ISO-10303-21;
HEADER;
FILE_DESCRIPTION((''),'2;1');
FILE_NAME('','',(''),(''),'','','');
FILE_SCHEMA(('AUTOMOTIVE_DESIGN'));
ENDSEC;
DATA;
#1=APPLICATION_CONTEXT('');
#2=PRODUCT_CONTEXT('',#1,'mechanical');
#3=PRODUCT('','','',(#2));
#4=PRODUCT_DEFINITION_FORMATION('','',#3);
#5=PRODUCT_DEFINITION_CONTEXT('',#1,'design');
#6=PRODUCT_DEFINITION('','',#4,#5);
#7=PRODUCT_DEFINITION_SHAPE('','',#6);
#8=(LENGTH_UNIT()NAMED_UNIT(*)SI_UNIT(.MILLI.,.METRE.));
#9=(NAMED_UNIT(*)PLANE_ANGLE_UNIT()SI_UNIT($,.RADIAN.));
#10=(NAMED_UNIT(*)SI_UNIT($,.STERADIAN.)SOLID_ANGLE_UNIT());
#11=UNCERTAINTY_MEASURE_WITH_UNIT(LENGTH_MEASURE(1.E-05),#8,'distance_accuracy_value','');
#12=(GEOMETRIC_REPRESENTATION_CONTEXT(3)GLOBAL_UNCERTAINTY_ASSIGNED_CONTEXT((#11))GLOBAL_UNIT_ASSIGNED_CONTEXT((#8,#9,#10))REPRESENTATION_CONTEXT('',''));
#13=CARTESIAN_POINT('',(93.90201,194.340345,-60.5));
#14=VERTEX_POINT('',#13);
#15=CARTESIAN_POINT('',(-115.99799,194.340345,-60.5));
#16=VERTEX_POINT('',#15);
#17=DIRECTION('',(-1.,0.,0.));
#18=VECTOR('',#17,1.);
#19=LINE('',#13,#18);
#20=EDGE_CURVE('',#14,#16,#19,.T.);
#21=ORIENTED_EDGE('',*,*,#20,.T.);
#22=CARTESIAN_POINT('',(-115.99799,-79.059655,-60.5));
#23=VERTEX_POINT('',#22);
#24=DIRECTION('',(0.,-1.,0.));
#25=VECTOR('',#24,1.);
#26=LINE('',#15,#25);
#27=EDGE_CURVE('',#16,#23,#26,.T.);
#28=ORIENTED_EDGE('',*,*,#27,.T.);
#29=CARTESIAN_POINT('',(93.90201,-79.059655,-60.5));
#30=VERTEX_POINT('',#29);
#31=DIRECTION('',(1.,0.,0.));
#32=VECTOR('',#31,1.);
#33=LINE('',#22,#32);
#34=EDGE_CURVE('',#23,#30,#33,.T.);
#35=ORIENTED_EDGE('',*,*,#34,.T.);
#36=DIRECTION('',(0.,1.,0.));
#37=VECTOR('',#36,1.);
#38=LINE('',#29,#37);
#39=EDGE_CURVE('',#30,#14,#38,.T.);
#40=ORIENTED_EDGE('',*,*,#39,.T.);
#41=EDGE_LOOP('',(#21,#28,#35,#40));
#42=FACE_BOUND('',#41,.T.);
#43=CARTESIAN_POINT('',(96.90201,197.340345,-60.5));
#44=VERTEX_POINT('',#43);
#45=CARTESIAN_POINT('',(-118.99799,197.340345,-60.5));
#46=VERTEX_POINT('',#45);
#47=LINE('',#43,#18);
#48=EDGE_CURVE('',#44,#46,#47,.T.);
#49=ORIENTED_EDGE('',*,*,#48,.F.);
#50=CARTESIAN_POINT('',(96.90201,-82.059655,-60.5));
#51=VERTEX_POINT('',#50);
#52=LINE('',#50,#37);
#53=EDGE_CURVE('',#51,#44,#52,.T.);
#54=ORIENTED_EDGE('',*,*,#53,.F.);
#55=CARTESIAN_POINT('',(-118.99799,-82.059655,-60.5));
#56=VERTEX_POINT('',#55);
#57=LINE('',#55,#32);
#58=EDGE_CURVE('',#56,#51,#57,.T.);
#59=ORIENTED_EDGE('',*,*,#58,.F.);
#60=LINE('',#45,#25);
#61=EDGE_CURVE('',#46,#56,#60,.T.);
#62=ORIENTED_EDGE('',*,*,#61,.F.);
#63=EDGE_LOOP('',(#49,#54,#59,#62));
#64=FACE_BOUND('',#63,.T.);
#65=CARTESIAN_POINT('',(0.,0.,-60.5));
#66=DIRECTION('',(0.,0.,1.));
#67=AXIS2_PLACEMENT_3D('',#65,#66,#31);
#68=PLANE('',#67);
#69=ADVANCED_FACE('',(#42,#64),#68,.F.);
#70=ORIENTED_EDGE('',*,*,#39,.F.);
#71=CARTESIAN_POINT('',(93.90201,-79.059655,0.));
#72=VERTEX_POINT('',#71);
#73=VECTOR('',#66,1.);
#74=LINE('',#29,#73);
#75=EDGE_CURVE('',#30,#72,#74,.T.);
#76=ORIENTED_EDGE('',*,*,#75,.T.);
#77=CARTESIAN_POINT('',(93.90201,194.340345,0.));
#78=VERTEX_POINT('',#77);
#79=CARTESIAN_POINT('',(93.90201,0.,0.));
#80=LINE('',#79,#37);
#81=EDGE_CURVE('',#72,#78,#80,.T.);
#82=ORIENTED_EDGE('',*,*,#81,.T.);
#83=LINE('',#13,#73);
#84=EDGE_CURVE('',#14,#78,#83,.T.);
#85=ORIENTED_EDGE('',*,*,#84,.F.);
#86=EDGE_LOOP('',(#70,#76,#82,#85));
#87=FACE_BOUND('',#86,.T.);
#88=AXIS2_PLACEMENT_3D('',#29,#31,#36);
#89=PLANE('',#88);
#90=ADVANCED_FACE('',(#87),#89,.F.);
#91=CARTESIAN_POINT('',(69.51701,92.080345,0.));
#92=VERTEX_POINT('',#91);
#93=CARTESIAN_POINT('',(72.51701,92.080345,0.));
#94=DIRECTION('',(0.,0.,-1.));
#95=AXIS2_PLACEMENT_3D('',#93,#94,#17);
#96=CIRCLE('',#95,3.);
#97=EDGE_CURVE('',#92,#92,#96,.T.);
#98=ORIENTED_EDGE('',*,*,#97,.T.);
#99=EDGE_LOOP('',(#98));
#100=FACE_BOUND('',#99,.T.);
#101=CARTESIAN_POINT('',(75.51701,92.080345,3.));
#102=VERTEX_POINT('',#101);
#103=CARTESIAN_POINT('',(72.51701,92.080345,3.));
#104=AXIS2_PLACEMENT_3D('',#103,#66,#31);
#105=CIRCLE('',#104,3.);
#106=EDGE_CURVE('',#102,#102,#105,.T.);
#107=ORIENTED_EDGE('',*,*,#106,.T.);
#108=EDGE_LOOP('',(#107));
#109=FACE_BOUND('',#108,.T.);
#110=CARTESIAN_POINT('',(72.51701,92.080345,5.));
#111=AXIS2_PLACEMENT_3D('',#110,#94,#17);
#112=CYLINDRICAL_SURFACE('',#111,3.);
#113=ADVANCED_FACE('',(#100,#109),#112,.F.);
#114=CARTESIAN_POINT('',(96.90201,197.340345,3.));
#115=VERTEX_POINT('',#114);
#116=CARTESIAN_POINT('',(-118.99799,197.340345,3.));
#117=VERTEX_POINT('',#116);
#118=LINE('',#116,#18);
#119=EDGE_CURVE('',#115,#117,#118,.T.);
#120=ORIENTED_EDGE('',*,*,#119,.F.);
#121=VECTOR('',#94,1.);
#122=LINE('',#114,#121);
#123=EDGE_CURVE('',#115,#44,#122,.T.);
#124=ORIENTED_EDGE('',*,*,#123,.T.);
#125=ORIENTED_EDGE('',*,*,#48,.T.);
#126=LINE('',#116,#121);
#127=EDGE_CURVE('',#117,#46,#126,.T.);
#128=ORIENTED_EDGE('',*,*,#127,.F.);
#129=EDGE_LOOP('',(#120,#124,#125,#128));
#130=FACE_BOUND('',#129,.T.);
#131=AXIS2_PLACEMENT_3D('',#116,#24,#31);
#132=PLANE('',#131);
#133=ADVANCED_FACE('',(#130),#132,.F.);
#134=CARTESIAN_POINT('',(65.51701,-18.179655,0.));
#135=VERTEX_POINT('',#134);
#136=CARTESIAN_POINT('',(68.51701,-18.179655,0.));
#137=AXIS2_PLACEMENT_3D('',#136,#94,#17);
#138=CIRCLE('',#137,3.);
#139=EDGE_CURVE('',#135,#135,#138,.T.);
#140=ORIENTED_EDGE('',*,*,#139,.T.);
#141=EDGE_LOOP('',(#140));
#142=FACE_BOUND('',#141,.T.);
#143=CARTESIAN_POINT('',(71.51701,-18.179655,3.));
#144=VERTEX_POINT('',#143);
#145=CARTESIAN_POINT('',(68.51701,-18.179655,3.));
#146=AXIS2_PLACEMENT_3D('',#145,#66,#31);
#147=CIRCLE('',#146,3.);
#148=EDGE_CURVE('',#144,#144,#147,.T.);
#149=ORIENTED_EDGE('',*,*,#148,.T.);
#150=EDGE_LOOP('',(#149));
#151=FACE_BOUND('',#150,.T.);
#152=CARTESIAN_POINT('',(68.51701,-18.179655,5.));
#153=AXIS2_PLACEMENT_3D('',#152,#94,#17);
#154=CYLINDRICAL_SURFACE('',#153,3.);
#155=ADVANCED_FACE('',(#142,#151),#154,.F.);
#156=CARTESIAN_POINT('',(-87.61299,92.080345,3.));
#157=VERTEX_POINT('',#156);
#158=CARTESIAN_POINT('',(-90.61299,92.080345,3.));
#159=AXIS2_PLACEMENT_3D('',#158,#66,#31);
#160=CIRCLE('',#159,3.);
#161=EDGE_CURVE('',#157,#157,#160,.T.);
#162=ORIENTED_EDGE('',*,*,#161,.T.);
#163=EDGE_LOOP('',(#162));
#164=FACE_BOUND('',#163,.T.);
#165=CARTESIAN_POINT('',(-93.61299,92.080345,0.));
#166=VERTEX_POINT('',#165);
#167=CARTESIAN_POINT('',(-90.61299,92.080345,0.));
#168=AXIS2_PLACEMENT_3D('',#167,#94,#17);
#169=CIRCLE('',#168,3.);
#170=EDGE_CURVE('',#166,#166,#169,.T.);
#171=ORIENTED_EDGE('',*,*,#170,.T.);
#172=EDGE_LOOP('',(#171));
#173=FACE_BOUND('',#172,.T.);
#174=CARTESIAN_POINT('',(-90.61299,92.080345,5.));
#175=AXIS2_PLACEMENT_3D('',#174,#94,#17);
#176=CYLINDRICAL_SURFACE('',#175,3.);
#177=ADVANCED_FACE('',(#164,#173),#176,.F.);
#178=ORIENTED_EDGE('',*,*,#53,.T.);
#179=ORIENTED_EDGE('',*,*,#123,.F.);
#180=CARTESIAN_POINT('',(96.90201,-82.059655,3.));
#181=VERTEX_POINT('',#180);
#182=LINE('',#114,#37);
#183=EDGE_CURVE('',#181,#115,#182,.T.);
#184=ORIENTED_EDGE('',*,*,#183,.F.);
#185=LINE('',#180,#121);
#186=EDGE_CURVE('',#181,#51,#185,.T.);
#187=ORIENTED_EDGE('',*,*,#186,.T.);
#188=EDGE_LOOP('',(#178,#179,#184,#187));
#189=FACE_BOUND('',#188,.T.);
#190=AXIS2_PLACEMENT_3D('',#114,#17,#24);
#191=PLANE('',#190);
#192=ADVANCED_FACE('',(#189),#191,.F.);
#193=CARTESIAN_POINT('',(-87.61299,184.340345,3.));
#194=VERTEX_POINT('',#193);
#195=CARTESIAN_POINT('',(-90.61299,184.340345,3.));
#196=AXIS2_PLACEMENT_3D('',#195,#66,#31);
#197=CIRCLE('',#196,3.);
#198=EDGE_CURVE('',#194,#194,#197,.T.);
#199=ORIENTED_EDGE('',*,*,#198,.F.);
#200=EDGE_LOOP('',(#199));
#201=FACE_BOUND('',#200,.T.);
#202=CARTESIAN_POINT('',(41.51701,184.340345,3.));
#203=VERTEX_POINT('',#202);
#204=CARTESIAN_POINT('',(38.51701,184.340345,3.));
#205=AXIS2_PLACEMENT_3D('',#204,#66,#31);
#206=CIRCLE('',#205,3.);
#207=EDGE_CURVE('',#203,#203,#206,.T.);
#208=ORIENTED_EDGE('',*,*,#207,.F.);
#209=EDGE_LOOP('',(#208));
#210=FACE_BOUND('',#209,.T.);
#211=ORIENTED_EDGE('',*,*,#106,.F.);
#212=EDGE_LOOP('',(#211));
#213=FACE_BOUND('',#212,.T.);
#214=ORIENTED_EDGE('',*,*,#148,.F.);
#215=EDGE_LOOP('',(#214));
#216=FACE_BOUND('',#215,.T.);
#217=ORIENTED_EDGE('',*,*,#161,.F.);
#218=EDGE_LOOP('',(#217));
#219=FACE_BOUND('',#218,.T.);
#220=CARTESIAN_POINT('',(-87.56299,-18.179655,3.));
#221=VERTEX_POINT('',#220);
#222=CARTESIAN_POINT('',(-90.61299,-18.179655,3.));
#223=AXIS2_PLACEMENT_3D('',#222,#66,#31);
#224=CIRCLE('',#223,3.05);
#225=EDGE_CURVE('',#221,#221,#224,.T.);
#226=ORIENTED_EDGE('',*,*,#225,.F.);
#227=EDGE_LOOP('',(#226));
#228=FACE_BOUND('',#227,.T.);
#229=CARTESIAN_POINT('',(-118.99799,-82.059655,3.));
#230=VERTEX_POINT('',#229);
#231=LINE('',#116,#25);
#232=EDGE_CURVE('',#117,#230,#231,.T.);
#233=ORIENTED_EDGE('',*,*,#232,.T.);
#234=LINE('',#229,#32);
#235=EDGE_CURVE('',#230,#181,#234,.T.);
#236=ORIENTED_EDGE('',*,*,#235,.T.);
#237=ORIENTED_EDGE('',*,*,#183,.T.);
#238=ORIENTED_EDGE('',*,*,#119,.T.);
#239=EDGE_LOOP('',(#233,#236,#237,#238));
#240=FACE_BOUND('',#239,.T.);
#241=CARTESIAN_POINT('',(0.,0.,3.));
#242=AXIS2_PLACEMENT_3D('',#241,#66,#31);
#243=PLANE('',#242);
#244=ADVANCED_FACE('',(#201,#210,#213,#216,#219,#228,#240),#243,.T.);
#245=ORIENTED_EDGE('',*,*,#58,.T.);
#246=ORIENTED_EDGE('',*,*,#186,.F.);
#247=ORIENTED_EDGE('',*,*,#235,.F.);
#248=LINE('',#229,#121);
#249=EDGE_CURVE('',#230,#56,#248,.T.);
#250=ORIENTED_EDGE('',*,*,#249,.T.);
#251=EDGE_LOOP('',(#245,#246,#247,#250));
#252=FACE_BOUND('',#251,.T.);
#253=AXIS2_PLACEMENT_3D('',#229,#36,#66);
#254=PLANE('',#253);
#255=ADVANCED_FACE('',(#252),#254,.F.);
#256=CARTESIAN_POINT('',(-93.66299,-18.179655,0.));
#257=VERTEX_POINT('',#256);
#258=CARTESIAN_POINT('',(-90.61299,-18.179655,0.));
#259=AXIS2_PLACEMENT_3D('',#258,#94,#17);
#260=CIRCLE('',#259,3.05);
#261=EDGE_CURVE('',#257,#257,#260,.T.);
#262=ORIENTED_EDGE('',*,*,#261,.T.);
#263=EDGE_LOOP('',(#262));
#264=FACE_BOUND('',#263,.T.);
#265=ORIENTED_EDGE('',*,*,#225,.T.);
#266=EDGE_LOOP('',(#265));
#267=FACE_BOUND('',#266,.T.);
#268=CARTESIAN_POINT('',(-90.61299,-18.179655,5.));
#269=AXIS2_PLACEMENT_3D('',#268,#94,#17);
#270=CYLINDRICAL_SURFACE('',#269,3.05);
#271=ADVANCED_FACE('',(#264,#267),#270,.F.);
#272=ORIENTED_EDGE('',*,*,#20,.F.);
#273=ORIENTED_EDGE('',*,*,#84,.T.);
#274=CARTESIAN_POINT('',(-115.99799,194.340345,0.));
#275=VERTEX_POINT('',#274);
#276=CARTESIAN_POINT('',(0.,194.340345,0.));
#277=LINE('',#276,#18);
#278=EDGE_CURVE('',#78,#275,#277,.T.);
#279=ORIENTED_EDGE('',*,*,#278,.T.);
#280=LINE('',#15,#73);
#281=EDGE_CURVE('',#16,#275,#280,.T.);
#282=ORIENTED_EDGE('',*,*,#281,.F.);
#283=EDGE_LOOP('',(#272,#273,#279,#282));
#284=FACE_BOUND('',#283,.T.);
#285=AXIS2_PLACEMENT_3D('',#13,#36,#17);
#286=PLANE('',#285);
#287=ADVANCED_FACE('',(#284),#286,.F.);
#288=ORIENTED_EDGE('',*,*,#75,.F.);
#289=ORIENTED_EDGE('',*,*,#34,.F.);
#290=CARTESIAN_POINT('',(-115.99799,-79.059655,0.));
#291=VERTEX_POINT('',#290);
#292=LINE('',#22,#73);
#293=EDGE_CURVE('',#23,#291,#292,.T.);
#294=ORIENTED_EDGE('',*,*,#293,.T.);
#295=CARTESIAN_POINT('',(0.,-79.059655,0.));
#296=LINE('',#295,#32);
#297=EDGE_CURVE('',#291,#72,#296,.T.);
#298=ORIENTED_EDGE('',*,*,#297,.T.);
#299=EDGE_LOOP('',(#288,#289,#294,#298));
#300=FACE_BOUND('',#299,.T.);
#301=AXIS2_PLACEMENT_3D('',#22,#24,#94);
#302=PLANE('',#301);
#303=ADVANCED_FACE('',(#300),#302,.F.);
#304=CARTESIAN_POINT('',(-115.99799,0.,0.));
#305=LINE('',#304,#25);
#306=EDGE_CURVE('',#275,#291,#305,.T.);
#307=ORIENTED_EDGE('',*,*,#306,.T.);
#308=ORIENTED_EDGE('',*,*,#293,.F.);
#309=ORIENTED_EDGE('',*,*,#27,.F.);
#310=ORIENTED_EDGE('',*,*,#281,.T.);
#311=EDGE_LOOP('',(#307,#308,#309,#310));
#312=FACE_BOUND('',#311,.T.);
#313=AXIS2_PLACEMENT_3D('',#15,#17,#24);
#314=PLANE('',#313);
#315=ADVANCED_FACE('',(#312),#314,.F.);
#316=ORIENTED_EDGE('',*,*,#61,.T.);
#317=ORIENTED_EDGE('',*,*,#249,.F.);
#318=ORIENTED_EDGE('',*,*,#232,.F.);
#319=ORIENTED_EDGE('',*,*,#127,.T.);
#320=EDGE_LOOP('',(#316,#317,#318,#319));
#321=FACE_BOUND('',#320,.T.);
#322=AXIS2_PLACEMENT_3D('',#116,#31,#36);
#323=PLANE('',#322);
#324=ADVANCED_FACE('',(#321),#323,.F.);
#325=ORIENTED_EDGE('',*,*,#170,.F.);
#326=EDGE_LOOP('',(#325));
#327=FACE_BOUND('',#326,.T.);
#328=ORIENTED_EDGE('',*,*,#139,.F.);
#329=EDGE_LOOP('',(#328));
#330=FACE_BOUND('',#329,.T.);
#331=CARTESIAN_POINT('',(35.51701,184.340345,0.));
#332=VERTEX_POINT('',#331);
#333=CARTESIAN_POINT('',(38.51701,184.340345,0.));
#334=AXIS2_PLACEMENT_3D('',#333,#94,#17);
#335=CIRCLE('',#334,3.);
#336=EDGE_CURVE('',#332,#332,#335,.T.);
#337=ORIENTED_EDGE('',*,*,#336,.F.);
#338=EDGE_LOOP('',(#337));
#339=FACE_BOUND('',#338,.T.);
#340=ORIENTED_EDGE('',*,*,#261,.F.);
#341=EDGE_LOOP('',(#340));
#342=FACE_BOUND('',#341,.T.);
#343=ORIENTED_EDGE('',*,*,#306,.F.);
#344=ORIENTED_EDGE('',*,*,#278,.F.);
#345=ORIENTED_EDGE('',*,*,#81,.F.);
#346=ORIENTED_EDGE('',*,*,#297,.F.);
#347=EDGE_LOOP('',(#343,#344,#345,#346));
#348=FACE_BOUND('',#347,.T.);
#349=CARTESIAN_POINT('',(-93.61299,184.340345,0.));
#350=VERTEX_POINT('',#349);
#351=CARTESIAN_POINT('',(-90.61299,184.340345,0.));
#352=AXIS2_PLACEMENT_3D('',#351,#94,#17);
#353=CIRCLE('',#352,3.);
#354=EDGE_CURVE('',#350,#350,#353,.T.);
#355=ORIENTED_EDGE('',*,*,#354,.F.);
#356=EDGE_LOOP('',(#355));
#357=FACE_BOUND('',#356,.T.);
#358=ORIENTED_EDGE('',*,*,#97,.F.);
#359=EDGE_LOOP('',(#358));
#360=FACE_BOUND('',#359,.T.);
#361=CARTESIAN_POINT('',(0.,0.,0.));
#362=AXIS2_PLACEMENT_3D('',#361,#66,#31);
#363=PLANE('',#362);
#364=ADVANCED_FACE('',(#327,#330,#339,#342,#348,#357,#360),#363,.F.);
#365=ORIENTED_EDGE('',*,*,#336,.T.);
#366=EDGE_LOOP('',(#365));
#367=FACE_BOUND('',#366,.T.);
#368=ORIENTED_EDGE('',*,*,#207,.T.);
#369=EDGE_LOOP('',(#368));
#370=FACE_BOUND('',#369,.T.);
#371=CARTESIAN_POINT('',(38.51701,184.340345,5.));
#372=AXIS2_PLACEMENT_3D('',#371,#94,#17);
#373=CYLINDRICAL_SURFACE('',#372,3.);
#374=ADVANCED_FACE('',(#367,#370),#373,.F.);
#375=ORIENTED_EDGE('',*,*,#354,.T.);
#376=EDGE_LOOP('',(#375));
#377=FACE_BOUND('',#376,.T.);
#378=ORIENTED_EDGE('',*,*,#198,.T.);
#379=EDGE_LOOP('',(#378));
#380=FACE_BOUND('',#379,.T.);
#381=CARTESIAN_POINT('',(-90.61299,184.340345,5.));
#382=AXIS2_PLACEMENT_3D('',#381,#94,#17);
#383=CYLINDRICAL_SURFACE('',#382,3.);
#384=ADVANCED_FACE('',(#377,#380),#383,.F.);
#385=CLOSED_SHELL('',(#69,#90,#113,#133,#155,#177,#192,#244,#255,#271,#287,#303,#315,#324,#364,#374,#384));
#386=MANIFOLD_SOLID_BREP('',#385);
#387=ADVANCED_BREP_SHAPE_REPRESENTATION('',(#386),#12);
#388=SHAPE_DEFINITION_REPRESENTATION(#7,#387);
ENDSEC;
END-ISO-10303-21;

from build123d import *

# Parameters (mm, degrees)
SKETCH1_W           = 215.9
SKETCH1_H           = 279.4
BOSS_EXTRUDE1_DEPTH = 3
SKETCH2_W           = 215.9
SKETCH2_H           = 279.4
SKETCH2_W_2         = 209.9
SKETCH2_H_2         = 273.4
BOSS_EXTRUDE2_DEPTH = 63.5
SKETCH3_R           = 3
SKETCH3_R_2         = 3.05
CUT_EXTRUDE3_DEPTH  = 5


with BuildPart() as part:
    # Sketch1 → Boss-Extrude1 (new body)
    with BuildSketch(Plane.XY):
        with Locations((-11.047990366, 57.640345361)):
            Rectangle(SKETCH1_W, SKETCH1_H)
    extrude(amount=BOSS_EXTRUDE1_DEPTH)

    # Sketch2 → Boss-Extrude2 (add)
    with BuildSketch(Plane.XY.offset(3)):
        with Locations((-11.047990366, 57.640345361)):
            Rectangle(SKETCH2_W, SKETCH2_H)
        with Locations((-11.047990366, 57.640345361)):
            Rectangle(SKETCH2_W_2, SKETCH2_H_2, mode=Mode.SUBTRACT)
    extrude(amount=-BOSS_EXTRUDE2_DEPTH)

    # Sketch3 → Cut-Extrude3 (cut)
    with BuildSketch(Plane(origin=(0, 0, 0), x_dir=(-1, 0, 0), z_dir=(0, 0, -1))):
        with Locations((-68.517009634, -18.179654639)):
            Circle(SKETCH3_R)
        with Locations((-72.517009634, 92.080345361)):
            Circle(SKETCH3_R)
        with Locations((-38.517009634, 184.340345361)):
            Circle(SKETCH3_R)
        with Locations((90.612990366, 92.080345361)):
            Circle(SKETCH3_R)
        with Locations((-58.712009634, -93.094201664)):
            Circle(SKETCH3_R)
        with Locations((90.612990366, 184.340345361)):
            Circle(SKETCH3_R)
        with Locations((90.612990366, -18.179654639)):
            Circle(SKETCH3_R_2)
    extrude(amount=-CUT_EXTRUDE3_DEPTH, mode=Mode.SUBTRACT)


solid = part.part
